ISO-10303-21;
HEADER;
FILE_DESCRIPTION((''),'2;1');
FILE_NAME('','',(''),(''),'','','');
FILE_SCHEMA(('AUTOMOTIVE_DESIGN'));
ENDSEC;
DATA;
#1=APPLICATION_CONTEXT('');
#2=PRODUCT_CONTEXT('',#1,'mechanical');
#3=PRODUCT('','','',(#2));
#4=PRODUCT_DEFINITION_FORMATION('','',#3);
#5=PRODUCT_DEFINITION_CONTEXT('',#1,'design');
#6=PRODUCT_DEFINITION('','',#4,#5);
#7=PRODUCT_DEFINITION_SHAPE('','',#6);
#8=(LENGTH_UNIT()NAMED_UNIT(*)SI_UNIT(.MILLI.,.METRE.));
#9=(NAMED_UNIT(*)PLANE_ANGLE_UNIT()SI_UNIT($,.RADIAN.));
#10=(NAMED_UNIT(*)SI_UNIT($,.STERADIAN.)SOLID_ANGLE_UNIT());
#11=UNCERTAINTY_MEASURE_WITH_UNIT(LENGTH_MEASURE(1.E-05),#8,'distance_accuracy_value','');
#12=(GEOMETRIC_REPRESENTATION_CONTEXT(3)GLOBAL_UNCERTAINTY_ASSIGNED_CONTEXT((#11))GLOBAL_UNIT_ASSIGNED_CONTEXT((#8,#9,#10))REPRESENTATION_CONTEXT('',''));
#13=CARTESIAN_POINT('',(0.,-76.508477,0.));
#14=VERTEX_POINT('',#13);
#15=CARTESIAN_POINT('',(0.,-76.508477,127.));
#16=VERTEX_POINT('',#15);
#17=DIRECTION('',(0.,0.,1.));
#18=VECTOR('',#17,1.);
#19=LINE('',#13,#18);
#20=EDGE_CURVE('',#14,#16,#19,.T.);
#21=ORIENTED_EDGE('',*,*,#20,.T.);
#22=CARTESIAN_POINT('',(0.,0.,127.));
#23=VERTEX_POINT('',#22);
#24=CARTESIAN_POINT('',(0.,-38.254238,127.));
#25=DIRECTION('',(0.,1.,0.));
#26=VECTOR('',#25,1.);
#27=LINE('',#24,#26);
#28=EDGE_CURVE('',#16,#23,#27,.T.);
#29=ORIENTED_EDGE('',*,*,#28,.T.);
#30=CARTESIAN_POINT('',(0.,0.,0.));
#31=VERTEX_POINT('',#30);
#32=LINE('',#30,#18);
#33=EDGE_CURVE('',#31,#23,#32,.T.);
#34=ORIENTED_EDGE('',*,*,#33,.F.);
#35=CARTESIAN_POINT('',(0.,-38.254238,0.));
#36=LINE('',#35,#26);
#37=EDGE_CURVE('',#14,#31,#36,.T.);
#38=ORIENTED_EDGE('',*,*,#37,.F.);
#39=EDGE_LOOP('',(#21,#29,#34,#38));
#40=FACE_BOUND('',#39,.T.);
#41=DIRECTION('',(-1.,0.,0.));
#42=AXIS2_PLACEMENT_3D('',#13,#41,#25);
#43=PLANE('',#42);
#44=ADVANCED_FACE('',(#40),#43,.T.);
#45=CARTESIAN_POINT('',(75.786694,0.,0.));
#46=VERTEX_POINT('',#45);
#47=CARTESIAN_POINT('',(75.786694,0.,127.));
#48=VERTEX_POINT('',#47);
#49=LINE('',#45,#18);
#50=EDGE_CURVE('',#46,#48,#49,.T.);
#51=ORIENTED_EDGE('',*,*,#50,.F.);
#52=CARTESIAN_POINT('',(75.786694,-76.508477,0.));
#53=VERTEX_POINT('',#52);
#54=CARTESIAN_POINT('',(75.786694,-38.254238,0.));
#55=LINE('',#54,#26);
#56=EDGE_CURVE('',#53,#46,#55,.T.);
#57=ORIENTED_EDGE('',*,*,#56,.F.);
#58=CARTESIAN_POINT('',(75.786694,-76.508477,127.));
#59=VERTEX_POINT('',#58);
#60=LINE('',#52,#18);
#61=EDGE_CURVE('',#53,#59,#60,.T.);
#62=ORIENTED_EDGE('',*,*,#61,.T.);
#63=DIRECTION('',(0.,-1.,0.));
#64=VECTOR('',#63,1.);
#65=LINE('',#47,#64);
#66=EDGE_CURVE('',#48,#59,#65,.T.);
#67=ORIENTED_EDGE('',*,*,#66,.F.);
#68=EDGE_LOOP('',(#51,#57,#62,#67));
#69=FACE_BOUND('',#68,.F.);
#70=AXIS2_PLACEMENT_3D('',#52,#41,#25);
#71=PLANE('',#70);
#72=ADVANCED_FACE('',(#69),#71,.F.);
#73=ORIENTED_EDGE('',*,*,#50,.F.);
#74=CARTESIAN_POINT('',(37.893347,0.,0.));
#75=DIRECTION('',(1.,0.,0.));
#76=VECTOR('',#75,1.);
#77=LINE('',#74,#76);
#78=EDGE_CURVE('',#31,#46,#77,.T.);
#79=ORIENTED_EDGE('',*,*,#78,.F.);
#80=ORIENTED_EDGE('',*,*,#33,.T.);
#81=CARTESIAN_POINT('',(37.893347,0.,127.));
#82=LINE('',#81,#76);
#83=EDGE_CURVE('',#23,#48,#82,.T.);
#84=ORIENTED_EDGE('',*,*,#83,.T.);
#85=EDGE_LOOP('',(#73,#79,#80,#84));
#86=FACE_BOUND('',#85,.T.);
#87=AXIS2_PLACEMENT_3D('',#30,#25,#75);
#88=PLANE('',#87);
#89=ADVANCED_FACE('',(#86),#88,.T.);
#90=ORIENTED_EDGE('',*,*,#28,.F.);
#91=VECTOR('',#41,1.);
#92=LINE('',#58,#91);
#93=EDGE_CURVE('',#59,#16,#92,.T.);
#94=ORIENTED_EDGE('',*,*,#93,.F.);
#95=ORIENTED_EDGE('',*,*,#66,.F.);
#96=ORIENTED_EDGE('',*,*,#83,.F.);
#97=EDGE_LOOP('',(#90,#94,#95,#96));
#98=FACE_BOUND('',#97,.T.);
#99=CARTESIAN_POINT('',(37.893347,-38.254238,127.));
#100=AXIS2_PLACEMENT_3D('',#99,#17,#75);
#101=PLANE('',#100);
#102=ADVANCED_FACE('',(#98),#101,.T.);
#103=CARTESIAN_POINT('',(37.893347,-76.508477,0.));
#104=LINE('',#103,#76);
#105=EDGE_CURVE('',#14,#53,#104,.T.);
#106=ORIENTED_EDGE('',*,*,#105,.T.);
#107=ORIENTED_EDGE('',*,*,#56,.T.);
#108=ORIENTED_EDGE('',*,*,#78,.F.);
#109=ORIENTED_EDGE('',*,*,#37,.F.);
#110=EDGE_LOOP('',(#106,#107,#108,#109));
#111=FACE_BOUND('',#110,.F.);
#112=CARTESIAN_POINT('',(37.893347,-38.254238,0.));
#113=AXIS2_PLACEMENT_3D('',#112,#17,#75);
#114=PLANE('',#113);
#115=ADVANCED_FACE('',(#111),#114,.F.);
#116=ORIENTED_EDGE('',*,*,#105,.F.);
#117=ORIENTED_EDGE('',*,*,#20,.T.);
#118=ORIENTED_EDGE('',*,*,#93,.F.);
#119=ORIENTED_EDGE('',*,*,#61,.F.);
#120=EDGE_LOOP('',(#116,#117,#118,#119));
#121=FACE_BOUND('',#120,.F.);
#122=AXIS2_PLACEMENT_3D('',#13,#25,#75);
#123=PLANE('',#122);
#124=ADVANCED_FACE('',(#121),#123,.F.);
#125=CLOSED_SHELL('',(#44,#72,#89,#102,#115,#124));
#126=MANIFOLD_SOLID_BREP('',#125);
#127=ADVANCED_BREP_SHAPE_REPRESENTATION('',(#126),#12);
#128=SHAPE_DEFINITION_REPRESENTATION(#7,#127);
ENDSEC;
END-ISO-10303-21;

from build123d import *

# Parameters (mm, degrees)
F0_W     = 75.786695
F0_H     = 76.508477
F1_DEPTH = 127
F3_W     = 59.351934
F3_H     = 111.369688
F4_DEPTH = 37.431709


with BuildPart() as f1:
    # F0 (on Top) → F1 (new body)
    with BuildSketch(Plane.XY):
        with Locations((37.893347, -38.254238)):
            Rectangle(F0_W, F0_H)
    extrude(amount=F1_DEPTH)

    # F3 (on face) → F4 (join)
    with BuildSketch(Plane.XZ.offset(76.508477)):
        with Locations((46.110728, 71.315156)):
            Rectangle(F3_W, F3_H)
    extrude(amount=-F4_DEPTH)


solid = f1.part
